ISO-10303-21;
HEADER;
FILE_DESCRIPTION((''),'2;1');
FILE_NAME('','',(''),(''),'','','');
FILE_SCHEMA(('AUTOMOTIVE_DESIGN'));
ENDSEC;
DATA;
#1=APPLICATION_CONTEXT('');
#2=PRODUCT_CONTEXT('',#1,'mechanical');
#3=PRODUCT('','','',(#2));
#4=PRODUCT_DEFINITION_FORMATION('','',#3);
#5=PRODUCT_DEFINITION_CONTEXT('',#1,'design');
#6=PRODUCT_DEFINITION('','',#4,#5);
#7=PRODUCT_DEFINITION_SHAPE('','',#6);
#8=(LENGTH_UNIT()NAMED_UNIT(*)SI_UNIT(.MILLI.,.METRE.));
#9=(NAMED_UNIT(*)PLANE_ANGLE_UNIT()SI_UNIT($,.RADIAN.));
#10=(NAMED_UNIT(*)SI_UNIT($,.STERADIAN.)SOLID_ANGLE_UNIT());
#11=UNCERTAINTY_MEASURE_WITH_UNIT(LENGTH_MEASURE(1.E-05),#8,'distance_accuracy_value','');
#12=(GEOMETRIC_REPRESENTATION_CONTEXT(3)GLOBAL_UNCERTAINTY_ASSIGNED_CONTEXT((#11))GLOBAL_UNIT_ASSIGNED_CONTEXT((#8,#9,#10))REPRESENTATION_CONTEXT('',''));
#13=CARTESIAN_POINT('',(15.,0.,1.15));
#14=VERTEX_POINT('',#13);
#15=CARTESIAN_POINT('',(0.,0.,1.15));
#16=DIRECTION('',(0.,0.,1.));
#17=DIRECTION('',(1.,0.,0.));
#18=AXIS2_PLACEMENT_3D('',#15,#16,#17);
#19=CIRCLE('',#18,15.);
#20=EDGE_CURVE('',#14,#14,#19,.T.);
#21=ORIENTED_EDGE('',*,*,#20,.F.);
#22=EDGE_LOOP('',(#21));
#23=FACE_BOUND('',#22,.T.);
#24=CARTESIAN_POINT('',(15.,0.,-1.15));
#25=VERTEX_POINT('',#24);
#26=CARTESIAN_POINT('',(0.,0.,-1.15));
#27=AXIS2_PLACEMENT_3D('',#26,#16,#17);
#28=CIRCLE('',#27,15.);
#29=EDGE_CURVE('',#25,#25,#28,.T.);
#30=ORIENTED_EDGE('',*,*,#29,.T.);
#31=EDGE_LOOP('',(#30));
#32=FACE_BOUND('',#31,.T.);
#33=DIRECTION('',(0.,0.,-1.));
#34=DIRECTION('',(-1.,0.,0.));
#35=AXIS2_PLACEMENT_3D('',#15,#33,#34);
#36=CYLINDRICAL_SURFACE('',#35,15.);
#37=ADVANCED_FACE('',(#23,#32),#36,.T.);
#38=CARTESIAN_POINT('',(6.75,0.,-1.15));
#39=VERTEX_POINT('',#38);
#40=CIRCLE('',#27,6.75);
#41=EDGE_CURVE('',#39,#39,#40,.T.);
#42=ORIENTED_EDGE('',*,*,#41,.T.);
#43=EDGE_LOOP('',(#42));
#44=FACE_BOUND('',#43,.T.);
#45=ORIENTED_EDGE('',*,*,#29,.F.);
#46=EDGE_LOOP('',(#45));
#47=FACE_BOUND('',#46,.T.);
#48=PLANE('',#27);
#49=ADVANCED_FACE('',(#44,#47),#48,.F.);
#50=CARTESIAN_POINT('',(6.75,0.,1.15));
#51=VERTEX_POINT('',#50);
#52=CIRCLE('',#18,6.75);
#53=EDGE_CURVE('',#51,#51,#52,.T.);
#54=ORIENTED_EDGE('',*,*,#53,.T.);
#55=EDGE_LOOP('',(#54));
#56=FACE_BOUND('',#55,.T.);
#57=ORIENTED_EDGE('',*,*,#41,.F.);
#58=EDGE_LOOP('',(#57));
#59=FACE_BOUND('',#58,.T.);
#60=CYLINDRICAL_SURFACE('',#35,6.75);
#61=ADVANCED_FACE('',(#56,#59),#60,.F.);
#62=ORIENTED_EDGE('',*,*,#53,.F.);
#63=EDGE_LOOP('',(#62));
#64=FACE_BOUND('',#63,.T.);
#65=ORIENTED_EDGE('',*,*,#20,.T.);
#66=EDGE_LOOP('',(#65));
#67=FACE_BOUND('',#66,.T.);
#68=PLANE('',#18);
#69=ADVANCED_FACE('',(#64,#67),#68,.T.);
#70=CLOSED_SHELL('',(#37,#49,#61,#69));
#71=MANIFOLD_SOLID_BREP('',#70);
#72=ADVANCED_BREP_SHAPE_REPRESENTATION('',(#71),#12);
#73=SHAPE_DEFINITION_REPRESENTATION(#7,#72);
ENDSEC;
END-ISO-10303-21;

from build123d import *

# Parameters (mm, degrees)
ESQUISSE1_R        = 15
ESQUISSE1_R_2      = 6.75
BOSS_EXTRU_1_DEPTH = 1.15


with BuildPart() as part:
    # Esquisse1 → Boss.-Extru.1 (new, symmetric)
    with BuildSketch(Plane.XY):
        Circle(ESQUISSE1_R)
        Circle(ESQUISSE1_R_2, mode=Mode.SUBTRACT)
    extrude(amount=BOSS_EXTRU_1_DEPTH, both=True)


solid = part.part
